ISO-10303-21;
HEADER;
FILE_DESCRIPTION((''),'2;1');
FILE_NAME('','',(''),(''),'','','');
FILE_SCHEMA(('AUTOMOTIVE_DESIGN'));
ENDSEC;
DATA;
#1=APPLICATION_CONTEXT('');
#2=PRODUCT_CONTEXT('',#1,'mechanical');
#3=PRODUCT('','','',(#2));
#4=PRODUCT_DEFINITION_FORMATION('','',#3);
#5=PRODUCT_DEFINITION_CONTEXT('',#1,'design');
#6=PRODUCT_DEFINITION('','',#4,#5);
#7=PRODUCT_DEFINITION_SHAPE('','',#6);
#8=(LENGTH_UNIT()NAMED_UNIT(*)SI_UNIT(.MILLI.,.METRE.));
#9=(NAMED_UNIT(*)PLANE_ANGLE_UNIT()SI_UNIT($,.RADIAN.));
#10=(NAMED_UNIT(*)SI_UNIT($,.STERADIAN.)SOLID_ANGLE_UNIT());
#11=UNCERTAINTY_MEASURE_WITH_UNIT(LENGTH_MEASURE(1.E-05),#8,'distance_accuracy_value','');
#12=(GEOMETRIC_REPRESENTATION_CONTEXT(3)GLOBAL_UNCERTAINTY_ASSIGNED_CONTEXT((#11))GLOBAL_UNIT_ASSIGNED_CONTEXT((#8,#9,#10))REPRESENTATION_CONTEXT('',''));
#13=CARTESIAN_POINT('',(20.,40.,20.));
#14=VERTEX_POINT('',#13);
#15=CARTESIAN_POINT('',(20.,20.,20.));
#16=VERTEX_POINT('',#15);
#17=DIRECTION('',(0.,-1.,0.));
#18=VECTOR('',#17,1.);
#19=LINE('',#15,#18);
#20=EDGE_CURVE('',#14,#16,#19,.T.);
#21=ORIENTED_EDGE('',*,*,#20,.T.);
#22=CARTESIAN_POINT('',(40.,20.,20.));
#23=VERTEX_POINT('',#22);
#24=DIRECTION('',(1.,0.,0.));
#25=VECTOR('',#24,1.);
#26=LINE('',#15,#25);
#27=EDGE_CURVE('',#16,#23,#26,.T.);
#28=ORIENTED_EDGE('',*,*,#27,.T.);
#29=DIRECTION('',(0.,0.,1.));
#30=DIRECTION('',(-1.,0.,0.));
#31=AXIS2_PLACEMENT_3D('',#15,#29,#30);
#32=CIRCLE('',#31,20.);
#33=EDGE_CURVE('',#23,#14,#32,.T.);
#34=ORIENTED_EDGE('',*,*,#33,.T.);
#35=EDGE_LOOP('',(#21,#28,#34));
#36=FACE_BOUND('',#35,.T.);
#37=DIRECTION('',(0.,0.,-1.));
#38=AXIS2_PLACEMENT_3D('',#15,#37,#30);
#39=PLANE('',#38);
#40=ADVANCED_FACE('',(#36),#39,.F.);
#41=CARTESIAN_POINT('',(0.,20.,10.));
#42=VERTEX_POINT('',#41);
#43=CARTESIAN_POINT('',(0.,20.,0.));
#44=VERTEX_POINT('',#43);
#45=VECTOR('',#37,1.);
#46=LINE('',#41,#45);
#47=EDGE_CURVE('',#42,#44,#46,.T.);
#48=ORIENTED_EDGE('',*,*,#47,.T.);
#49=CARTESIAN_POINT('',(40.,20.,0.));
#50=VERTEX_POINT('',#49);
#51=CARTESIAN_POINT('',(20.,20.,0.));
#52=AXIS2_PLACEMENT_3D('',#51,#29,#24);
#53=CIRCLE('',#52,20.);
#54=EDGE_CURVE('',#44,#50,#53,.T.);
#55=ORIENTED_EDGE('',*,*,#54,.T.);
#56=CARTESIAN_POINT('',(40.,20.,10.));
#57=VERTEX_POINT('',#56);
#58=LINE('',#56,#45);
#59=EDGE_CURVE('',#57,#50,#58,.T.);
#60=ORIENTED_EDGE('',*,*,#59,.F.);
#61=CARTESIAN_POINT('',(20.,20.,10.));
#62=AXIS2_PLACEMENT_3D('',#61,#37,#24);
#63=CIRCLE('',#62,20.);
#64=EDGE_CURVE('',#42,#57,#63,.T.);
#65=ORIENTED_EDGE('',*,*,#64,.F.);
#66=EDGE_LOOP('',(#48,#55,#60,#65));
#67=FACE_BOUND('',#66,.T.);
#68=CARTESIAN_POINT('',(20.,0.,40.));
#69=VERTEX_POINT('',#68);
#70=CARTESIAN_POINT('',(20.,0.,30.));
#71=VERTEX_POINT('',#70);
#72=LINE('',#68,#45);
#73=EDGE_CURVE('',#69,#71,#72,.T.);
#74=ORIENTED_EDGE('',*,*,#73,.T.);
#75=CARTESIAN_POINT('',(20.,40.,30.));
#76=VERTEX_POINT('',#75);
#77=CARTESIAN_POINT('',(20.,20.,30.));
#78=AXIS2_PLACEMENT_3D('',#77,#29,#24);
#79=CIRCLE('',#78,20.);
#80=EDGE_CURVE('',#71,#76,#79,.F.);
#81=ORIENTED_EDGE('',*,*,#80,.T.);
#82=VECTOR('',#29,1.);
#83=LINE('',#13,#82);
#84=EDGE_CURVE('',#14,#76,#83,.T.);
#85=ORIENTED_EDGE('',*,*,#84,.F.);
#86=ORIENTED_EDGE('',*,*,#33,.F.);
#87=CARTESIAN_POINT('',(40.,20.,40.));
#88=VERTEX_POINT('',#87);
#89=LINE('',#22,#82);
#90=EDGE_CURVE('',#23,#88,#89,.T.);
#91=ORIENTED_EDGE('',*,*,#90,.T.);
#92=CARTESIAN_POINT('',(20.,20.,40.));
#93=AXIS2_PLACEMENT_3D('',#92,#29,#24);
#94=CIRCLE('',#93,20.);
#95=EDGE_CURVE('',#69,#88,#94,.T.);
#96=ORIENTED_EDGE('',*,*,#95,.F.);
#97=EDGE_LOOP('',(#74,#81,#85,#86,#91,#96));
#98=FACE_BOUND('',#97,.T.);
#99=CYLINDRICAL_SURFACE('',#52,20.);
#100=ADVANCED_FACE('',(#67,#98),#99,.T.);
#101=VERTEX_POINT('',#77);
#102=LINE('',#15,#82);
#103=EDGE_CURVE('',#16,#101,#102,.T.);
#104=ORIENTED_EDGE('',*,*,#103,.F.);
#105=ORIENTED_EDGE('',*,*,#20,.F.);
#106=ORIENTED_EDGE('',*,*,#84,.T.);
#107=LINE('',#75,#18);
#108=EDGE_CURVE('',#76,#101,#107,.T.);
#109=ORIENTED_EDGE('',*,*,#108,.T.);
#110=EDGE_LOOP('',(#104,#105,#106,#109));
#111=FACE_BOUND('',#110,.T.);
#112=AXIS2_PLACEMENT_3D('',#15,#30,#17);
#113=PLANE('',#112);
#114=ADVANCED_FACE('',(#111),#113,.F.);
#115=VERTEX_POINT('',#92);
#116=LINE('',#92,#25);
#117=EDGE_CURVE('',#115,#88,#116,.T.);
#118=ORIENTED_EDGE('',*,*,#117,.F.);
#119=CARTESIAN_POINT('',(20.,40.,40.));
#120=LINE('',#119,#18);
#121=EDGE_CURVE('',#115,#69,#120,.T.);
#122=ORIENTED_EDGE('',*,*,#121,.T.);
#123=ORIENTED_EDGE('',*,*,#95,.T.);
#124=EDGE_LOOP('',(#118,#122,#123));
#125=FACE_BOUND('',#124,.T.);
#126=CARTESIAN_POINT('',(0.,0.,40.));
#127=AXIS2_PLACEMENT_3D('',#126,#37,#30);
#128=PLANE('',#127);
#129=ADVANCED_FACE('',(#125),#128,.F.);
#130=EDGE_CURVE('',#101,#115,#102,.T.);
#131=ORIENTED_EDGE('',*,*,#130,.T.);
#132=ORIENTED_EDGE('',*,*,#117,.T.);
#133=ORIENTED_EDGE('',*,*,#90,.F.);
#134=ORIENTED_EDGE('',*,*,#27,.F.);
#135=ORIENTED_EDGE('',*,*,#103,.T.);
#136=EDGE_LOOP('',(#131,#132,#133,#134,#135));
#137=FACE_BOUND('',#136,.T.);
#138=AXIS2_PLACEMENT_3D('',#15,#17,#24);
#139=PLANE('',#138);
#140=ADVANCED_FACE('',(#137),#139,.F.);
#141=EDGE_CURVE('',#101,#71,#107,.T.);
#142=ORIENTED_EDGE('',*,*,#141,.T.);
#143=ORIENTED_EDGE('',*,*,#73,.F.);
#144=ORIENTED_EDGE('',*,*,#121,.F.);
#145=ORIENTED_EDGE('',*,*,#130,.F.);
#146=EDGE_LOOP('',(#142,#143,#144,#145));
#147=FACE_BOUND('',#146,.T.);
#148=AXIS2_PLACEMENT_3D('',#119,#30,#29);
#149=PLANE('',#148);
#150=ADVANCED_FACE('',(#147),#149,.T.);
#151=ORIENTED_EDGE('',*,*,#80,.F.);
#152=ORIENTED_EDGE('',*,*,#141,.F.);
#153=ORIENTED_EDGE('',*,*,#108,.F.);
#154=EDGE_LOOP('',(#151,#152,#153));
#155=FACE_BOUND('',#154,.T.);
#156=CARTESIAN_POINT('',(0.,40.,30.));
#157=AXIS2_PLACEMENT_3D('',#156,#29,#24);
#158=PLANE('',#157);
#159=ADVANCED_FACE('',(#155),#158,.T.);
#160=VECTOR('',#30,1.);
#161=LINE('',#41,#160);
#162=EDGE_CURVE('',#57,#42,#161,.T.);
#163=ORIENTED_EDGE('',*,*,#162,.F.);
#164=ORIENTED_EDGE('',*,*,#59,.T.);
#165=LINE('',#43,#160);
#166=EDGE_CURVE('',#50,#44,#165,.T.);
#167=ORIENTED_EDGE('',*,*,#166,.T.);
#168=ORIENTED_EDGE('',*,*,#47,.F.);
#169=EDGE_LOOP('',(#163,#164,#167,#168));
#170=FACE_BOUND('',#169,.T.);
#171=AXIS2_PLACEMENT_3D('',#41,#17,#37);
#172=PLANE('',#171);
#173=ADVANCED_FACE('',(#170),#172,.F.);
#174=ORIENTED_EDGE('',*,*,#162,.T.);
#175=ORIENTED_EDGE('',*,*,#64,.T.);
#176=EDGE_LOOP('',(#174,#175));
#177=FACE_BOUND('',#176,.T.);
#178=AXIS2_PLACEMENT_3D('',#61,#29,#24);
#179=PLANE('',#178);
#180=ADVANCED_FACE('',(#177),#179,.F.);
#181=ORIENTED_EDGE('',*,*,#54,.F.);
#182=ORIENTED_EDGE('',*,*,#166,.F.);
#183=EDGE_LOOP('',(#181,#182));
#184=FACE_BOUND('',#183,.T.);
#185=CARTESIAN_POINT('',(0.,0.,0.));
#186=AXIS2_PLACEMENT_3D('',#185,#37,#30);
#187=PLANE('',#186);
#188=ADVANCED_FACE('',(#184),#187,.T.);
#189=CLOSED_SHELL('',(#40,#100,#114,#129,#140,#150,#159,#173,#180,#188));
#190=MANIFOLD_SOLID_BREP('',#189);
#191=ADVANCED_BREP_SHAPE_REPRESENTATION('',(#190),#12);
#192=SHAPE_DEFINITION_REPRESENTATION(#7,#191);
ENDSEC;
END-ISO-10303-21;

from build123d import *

# Parameters (mm, degrees)
SKETCH1_W           = 40
SKETCH1_H           = 40
BOSS_EXTRUDE1_DEPTH = 40
CUT_EXTRUDE1_DEPTH  = 40
SKETCH3_W           = 20
SKETCH3_H           = 10
CUT_EXTRUDE2_DEPTH  = 40
CUT_EXTRUDE3_DEPTH  = 20
CUT_EXTRUDE4_DEPTH  = 10


with BuildPart() as part:
    # Sketch1 → Boss-Extrude1 (new body)
    with BuildSketch(Plane.XY):
        with Locations((20, 20)):
            Rectangle(SKETCH1_W, SKETCH1_H)
    extrude(amount=BOSS_EXTRUDE1_DEPTH)

    # Sketch2 → Cut-Extrude1 (cut)
    with BuildSketch(Plane.XY.offset(40)):
        with BuildLine():
            Line((20, 40), (0, 40))
            Line((0, 40), (0, 20))
            ThreePointArc((0, 20), (5.857864376, 34.142135624), (20, 40))
        make_face()
        with BuildLine():
            ThreePointArc((20, 0), (5.857864376, 5.857864376), (0, 20))
            Line((0, 20), (0, 0))
            Line((0, 0), (20, 0))
        make_face()
        with BuildLine():
            Line((40, 0), (40, 20))
            ThreePointArc((40, 20), (34.142135624, 5.857864376), (20, 0))
            Line((20, 0), (40, 0))
        make_face()
        with BuildLine():
            Line((40, 40), (20, 40))
            ThreePointArc((20, 40), (34.142135624, 34.142135624), (40, 20))
            Line((40, 20), (40, 40))
        make_face()
    extrude(amount=-CUT_EXTRUDE1_DEPTH, mode=Mode.SUBTRACT)

    # Sketch3 → Cut-Extrude2 (cut)
    with BuildSketch(Plane(origin=(0, 0, 0), x_dir=(1, 0, 0), z_dir=(0, 1, 0))):
        with Locations((10, -35)):
            Rectangle(SKETCH3_W, SKETCH3_H)
    extrude(amount=CUT_EXTRUDE2_DEPTH, mode=Mode.SUBTRACT)

    # Sketch4 → Cut-Extrude3 (cut)
    with BuildSketch(Plane.XY.offset(40)):
        with BuildLine():
            Line((20, 20), (20, 40))
            ThreePointArc((20, 40), (34.142135624, 34.142135624), (40, 20))
            Line((40, 20), (20, 20))
        make_face()
    extrude(amount=-CUT_EXTRUDE3_DEPTH, mode=Mode.SUBTRACT)

    # Sketch5 → Cut-Extrude4 (cut)
    with BuildSketch(Plane(origin=(0, 0, 0), x_dir=(-1, 0, 0), z_dir=(0, 0, -1))):
        with BuildLine():
            Line((0, 20), (-40, 20))
            ThreePointArc((-40, 20), (-20, 40), (0, 20))
        make_face()
    extrude(amount=-CUT_EXTRUDE4_DEPTH, mode=Mode.SUBTRACT)


solid = part.part
